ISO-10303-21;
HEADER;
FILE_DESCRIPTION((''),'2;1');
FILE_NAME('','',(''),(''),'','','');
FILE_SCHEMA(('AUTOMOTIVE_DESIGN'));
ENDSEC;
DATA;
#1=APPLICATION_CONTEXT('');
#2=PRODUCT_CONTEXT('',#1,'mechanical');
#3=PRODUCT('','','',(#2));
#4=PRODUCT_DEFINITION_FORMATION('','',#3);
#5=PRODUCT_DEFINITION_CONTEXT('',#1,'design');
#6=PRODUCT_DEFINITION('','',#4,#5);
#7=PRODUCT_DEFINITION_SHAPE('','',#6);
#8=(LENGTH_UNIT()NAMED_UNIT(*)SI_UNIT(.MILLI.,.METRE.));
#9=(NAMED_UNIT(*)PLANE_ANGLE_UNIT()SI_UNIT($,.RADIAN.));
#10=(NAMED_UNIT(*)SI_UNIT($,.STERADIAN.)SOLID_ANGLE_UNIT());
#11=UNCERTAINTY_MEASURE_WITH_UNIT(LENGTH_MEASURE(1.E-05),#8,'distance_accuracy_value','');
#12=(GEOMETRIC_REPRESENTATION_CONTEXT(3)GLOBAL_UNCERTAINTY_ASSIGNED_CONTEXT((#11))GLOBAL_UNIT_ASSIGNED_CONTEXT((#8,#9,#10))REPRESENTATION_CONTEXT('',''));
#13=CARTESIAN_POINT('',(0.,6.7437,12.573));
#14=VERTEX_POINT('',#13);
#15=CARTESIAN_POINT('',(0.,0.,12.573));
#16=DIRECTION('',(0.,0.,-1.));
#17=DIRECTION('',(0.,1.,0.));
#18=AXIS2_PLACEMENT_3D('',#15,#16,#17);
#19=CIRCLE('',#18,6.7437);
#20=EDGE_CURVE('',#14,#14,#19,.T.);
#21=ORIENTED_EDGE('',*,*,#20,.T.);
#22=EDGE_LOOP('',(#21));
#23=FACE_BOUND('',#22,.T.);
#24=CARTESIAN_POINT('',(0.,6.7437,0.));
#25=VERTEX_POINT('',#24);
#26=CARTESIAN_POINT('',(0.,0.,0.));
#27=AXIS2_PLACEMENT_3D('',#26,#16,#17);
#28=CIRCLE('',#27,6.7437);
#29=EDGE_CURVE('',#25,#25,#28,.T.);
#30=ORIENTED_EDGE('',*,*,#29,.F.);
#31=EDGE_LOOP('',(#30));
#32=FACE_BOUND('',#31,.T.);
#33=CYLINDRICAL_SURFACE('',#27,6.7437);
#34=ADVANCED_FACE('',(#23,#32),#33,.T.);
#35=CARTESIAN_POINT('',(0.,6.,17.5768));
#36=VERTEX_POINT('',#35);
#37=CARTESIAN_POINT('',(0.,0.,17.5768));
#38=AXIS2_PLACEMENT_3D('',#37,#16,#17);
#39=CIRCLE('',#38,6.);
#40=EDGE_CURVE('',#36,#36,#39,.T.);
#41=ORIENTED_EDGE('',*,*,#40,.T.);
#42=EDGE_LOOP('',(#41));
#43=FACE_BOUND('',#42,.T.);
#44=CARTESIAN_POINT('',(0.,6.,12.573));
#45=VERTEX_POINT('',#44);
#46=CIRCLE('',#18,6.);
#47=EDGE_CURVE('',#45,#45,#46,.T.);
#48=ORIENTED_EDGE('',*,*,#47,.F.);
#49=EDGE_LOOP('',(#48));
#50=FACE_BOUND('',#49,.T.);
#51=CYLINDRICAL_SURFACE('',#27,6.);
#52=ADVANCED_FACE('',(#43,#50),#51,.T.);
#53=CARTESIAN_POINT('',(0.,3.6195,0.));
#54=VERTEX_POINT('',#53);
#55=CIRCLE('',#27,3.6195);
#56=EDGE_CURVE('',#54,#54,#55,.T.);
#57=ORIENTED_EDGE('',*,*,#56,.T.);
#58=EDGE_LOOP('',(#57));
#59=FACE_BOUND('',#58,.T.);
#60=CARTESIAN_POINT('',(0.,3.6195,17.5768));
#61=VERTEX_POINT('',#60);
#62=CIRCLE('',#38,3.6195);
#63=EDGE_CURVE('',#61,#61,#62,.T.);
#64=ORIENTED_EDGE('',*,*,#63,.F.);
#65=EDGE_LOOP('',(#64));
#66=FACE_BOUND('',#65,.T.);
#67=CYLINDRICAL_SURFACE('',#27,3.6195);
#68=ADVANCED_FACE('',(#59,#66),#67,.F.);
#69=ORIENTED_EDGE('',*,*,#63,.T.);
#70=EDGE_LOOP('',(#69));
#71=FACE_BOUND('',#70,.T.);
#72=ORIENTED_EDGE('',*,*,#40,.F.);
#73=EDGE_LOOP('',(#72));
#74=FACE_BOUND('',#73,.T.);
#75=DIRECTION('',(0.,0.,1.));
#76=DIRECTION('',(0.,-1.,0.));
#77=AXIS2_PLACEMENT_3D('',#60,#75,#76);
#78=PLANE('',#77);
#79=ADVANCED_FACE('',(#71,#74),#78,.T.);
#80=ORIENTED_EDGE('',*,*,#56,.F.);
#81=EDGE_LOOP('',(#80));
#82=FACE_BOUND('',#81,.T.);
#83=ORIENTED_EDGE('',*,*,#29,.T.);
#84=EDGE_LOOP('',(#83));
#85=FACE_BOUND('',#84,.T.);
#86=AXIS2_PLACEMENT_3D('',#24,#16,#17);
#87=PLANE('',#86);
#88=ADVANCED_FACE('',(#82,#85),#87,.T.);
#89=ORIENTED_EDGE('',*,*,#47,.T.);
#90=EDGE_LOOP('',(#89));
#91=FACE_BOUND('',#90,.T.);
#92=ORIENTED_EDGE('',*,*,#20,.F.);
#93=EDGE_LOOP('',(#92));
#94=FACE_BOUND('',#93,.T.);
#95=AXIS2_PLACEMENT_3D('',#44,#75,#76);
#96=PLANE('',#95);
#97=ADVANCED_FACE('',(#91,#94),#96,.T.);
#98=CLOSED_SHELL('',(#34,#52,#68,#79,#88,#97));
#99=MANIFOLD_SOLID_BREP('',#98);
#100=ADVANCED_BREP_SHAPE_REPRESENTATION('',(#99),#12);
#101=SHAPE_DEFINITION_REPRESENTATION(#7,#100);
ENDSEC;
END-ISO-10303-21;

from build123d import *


with BuildPart() as part:
    # Sketch1 → Revolve1 (revolve)
    with BuildSketch(Plane(origin=(0, 0, 0), x_dir=(0, 0, -1), z_dir=(1, 0, 0))):
        Polygon((0, 3.6195), (-17.5768, 3.6195), (-17.5768, 6), (-12.573, 6), (-12.573, 6.7437), (0, 6.7437), align=None)
    revolve(axis=Axis((0, 0, 0), (0, 0, 1)))


solid = part.part
